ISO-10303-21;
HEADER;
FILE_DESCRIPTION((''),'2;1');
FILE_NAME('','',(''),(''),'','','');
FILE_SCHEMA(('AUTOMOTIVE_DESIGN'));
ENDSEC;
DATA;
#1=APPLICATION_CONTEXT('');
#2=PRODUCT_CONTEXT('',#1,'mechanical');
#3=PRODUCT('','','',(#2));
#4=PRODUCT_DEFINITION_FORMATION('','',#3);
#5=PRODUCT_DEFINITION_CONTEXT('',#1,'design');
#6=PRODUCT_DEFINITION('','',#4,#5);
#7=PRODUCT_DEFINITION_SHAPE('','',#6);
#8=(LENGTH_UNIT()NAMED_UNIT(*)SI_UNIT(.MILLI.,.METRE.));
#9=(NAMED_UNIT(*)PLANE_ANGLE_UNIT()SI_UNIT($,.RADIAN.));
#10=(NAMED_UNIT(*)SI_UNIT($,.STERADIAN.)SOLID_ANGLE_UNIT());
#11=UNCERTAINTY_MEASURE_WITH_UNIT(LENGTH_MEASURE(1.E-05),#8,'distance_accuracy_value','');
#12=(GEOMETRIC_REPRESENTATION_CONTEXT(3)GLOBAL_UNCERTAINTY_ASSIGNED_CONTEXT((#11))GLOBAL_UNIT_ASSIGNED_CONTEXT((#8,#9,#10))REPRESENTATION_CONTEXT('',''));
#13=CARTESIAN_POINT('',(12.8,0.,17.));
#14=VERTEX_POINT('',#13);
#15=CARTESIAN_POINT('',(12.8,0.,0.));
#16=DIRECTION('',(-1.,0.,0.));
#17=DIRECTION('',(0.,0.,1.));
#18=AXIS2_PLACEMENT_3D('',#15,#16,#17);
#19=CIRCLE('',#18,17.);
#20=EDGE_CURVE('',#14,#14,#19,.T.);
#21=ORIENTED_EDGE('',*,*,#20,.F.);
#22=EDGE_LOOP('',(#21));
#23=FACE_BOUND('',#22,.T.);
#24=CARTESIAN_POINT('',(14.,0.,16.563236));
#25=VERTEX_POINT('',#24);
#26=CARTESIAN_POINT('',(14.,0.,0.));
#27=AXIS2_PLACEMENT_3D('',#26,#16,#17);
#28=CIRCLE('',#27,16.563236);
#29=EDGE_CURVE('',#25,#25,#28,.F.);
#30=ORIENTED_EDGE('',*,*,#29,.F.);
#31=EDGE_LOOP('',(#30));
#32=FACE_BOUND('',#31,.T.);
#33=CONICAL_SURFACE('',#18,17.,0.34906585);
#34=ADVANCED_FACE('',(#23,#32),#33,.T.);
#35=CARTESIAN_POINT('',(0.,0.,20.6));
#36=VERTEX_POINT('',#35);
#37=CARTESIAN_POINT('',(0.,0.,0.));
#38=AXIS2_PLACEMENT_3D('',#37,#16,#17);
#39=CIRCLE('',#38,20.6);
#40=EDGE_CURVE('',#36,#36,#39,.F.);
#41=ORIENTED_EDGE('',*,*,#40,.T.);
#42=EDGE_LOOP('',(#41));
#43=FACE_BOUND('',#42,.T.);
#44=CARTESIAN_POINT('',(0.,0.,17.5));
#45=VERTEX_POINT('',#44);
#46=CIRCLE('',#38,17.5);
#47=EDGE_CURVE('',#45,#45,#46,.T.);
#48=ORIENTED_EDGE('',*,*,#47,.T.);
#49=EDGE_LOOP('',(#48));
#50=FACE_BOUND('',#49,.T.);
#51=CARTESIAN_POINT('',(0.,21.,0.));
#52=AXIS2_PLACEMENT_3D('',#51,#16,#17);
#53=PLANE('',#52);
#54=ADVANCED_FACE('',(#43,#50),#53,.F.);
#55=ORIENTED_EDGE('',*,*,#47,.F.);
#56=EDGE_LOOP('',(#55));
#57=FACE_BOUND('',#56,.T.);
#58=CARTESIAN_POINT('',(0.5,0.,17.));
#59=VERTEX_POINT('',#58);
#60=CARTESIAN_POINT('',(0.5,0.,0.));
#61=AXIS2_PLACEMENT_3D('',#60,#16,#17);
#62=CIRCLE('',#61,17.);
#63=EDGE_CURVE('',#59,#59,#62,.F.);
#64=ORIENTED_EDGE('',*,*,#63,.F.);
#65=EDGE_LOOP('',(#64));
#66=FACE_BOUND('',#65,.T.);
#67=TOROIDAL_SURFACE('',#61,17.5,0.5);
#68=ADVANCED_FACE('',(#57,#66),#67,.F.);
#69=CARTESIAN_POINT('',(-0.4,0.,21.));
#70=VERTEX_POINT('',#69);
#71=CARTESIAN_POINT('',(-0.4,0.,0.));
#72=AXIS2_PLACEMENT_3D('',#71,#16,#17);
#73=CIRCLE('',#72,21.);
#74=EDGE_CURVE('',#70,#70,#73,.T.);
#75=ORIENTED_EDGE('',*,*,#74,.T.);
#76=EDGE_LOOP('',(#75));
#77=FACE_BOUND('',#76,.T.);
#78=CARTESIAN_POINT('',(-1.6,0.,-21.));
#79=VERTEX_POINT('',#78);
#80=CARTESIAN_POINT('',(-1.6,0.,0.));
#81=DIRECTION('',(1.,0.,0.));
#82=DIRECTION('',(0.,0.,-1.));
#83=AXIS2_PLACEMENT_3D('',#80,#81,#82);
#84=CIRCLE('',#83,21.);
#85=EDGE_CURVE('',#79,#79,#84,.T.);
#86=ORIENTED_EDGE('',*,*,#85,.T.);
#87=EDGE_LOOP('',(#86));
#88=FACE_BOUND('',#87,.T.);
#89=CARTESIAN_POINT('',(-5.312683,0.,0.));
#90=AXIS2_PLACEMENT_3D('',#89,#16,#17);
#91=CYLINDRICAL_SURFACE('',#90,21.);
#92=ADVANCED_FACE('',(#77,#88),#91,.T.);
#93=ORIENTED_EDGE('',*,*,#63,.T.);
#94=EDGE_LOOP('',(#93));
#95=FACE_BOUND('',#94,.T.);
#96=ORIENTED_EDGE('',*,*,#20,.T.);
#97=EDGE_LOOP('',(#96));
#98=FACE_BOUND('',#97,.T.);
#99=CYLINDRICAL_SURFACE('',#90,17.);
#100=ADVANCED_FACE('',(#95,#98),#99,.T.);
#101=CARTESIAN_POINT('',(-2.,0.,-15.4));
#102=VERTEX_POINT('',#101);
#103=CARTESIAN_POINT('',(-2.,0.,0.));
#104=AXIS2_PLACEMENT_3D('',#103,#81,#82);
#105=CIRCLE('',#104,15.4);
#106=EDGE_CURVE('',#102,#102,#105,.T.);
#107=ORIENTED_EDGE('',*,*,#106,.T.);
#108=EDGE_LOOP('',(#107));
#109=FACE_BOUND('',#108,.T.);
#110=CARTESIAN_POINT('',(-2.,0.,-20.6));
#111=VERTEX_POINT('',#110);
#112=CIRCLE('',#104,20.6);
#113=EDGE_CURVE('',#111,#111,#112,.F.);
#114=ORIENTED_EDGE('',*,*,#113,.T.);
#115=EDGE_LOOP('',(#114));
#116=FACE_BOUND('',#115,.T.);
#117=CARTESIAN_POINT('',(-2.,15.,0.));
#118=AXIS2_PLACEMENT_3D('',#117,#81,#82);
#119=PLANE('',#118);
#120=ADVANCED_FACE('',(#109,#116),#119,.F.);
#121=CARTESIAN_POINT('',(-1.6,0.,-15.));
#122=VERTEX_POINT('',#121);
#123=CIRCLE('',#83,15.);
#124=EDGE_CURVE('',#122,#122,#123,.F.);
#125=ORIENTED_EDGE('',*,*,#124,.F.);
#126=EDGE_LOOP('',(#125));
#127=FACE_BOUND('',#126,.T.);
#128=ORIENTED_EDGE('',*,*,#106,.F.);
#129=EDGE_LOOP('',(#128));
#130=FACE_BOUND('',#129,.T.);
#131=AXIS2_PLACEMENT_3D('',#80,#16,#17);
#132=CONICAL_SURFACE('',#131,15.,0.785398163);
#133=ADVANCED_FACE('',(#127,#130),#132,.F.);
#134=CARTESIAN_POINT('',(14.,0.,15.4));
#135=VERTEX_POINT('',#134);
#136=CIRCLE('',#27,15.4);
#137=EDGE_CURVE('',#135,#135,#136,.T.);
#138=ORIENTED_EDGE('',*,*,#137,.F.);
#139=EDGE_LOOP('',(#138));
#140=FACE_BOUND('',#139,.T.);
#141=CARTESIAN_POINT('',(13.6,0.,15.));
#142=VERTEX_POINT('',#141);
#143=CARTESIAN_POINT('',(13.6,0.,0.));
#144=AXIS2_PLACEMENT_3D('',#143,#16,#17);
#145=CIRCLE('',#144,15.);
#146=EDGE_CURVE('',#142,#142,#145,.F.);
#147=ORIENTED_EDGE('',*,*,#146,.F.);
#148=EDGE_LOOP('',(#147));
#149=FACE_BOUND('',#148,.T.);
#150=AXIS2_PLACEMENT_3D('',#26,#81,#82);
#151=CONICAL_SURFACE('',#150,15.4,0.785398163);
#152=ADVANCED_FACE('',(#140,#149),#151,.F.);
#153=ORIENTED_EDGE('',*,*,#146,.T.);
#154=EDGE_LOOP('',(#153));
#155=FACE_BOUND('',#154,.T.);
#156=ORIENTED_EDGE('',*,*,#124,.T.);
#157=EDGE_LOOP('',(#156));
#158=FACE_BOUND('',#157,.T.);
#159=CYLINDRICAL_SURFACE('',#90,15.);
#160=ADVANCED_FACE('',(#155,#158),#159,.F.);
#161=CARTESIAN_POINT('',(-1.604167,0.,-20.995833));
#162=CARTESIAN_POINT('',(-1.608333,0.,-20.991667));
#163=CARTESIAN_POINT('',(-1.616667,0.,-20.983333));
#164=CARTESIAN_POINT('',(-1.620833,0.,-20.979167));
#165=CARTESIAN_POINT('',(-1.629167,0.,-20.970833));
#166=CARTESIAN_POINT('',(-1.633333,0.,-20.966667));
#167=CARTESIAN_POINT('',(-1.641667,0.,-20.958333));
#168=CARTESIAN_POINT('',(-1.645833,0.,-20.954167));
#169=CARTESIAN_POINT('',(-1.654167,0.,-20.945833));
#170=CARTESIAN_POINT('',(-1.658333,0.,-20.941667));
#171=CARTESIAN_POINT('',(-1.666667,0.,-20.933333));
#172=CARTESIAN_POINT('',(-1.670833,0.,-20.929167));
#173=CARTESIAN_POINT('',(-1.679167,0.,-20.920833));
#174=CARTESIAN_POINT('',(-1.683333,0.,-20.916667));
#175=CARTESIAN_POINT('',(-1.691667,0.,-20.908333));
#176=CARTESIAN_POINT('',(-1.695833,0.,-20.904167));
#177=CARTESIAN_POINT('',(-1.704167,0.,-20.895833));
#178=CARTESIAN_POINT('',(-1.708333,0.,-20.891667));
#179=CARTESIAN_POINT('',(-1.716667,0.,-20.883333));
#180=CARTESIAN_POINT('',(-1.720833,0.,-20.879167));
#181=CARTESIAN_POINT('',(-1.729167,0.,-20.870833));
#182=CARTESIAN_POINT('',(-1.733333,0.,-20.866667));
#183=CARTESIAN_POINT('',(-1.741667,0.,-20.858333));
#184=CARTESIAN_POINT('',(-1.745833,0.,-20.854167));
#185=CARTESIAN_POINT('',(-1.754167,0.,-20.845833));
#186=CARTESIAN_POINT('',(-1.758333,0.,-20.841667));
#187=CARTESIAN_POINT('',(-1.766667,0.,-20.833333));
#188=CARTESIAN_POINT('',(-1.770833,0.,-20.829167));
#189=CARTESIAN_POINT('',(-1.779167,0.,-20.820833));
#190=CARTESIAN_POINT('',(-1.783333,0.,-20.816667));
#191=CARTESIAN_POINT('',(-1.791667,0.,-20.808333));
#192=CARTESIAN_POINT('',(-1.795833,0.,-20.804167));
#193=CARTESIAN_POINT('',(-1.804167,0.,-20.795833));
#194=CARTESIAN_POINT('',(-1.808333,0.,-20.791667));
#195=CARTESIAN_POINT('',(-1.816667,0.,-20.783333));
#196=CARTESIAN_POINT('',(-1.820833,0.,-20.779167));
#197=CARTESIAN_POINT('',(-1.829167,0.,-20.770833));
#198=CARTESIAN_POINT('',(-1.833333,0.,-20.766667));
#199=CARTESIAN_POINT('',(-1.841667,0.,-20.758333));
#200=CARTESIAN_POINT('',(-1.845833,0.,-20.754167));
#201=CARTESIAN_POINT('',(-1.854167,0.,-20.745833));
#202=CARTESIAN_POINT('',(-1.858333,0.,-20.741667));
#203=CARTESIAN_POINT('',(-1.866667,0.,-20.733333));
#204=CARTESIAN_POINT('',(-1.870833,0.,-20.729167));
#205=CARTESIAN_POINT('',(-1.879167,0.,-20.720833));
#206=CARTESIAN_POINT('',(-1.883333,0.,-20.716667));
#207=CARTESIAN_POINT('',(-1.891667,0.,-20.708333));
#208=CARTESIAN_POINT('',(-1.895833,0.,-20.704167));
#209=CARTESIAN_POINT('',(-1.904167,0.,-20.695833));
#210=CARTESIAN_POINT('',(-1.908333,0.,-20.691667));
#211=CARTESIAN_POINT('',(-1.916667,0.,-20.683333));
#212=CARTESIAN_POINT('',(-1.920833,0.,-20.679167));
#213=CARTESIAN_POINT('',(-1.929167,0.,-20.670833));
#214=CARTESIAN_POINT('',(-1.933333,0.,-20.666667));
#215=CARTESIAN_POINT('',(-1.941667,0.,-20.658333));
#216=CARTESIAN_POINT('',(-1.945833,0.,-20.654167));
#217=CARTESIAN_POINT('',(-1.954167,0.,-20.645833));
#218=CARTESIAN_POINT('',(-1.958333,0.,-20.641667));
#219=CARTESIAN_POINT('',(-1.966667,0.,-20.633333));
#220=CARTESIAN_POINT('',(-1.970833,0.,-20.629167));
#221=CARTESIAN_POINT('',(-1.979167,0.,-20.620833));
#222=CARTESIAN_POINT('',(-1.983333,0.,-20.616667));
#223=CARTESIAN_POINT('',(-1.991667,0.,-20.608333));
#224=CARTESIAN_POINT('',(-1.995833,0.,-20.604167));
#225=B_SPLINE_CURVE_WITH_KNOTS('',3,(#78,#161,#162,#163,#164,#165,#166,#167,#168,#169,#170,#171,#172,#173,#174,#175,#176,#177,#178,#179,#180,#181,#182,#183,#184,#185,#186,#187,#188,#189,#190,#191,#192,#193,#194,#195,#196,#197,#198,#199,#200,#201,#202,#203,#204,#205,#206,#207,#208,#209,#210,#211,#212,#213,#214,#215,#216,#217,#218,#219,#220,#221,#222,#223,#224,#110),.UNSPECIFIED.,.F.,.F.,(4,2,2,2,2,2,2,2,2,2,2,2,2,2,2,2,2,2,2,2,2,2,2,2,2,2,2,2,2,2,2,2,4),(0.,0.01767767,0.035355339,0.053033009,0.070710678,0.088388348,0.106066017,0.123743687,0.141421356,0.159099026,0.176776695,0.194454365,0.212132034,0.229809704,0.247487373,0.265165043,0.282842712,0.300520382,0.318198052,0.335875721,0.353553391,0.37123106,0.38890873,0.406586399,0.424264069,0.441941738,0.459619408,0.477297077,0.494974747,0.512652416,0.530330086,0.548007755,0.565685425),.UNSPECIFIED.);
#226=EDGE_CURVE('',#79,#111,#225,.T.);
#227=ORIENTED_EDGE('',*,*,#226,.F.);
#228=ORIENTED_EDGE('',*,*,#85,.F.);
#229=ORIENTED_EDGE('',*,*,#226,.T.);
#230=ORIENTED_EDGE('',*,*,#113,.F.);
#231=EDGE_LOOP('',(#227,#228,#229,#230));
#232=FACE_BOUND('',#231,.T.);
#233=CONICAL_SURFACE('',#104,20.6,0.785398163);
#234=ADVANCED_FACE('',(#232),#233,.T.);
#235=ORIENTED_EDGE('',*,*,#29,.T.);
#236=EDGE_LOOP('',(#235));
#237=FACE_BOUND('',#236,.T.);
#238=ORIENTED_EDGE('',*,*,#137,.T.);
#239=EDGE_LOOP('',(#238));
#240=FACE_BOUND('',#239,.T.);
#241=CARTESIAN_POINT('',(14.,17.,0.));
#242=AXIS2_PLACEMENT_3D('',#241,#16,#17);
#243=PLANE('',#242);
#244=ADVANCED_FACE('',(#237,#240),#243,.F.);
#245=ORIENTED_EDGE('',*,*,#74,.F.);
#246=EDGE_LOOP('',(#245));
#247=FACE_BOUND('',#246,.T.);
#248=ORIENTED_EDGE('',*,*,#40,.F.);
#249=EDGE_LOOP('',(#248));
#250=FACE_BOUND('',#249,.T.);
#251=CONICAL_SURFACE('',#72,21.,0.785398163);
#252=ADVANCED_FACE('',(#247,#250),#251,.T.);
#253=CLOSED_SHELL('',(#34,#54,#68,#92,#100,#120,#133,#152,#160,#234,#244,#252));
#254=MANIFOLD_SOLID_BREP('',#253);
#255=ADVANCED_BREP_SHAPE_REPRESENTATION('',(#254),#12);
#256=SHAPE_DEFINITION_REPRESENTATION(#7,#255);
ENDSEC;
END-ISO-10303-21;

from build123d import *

# Parameters (mm, degrees)
CONG_2_R         = 0.5
CHANFREIN1_SIZE  = 0.4
CHANFREIN3_SIZE  = 1.2
CHANFREIN3_SIZE2 = 0.436764281


with BuildPart() as part:
    # Esquisse1 → Base-Révolution (revolve)
    with BuildSketch(Plane.XY, mode=Mode.PRIVATE) as base_r_volution_sk:
        Polygon((-2, 15), (-2, 21), (0, 21), (0, 17), (14, 17), (14, 15), align=None)
    revolve(base_r_volution_sk.sketch.rotate(Axis((-5.312682662, 0, 0), (1, 0, 0)), 90), axis=Axis((-5.312682662, 0, 0), (1, 0, 0)))

    # Congé2
    cong_2_edges = [part.edges().sort_by_distance(p)[0] for p in [
        (0, 0, -17),
    ]]
    fillet(cong_2_edges, radius=CONG_2_R)

    # Chanfrein1
    chanfrein1_edges = [part.edges().sort_by_distance(p)[0] for p in [
        (0, 0, -21),
        (-2, 0, -21),
        (-2, 0, -15),
        (14, 0, -15),
    ]]
    chamfer(chanfrein1_edges, length=CHANFREIN1_SIZE)

    # Chanfrein3
    chanfrein3_edges = [part.edges().sort_by_distance(p)[0] for p in [
        (14, 0, -17),
    ]]
    chanfrein3_side = [part.faces().sort_by_distance(p)[0] for p in [
        (7.25, 0, -17),
    ]]
    chamfer(chanfrein3_edges, length=CHANFREIN3_SIZE, length2=CHANFREIN3_SIZE2, reference=chanfrein3_side[0])


solid = part.part
